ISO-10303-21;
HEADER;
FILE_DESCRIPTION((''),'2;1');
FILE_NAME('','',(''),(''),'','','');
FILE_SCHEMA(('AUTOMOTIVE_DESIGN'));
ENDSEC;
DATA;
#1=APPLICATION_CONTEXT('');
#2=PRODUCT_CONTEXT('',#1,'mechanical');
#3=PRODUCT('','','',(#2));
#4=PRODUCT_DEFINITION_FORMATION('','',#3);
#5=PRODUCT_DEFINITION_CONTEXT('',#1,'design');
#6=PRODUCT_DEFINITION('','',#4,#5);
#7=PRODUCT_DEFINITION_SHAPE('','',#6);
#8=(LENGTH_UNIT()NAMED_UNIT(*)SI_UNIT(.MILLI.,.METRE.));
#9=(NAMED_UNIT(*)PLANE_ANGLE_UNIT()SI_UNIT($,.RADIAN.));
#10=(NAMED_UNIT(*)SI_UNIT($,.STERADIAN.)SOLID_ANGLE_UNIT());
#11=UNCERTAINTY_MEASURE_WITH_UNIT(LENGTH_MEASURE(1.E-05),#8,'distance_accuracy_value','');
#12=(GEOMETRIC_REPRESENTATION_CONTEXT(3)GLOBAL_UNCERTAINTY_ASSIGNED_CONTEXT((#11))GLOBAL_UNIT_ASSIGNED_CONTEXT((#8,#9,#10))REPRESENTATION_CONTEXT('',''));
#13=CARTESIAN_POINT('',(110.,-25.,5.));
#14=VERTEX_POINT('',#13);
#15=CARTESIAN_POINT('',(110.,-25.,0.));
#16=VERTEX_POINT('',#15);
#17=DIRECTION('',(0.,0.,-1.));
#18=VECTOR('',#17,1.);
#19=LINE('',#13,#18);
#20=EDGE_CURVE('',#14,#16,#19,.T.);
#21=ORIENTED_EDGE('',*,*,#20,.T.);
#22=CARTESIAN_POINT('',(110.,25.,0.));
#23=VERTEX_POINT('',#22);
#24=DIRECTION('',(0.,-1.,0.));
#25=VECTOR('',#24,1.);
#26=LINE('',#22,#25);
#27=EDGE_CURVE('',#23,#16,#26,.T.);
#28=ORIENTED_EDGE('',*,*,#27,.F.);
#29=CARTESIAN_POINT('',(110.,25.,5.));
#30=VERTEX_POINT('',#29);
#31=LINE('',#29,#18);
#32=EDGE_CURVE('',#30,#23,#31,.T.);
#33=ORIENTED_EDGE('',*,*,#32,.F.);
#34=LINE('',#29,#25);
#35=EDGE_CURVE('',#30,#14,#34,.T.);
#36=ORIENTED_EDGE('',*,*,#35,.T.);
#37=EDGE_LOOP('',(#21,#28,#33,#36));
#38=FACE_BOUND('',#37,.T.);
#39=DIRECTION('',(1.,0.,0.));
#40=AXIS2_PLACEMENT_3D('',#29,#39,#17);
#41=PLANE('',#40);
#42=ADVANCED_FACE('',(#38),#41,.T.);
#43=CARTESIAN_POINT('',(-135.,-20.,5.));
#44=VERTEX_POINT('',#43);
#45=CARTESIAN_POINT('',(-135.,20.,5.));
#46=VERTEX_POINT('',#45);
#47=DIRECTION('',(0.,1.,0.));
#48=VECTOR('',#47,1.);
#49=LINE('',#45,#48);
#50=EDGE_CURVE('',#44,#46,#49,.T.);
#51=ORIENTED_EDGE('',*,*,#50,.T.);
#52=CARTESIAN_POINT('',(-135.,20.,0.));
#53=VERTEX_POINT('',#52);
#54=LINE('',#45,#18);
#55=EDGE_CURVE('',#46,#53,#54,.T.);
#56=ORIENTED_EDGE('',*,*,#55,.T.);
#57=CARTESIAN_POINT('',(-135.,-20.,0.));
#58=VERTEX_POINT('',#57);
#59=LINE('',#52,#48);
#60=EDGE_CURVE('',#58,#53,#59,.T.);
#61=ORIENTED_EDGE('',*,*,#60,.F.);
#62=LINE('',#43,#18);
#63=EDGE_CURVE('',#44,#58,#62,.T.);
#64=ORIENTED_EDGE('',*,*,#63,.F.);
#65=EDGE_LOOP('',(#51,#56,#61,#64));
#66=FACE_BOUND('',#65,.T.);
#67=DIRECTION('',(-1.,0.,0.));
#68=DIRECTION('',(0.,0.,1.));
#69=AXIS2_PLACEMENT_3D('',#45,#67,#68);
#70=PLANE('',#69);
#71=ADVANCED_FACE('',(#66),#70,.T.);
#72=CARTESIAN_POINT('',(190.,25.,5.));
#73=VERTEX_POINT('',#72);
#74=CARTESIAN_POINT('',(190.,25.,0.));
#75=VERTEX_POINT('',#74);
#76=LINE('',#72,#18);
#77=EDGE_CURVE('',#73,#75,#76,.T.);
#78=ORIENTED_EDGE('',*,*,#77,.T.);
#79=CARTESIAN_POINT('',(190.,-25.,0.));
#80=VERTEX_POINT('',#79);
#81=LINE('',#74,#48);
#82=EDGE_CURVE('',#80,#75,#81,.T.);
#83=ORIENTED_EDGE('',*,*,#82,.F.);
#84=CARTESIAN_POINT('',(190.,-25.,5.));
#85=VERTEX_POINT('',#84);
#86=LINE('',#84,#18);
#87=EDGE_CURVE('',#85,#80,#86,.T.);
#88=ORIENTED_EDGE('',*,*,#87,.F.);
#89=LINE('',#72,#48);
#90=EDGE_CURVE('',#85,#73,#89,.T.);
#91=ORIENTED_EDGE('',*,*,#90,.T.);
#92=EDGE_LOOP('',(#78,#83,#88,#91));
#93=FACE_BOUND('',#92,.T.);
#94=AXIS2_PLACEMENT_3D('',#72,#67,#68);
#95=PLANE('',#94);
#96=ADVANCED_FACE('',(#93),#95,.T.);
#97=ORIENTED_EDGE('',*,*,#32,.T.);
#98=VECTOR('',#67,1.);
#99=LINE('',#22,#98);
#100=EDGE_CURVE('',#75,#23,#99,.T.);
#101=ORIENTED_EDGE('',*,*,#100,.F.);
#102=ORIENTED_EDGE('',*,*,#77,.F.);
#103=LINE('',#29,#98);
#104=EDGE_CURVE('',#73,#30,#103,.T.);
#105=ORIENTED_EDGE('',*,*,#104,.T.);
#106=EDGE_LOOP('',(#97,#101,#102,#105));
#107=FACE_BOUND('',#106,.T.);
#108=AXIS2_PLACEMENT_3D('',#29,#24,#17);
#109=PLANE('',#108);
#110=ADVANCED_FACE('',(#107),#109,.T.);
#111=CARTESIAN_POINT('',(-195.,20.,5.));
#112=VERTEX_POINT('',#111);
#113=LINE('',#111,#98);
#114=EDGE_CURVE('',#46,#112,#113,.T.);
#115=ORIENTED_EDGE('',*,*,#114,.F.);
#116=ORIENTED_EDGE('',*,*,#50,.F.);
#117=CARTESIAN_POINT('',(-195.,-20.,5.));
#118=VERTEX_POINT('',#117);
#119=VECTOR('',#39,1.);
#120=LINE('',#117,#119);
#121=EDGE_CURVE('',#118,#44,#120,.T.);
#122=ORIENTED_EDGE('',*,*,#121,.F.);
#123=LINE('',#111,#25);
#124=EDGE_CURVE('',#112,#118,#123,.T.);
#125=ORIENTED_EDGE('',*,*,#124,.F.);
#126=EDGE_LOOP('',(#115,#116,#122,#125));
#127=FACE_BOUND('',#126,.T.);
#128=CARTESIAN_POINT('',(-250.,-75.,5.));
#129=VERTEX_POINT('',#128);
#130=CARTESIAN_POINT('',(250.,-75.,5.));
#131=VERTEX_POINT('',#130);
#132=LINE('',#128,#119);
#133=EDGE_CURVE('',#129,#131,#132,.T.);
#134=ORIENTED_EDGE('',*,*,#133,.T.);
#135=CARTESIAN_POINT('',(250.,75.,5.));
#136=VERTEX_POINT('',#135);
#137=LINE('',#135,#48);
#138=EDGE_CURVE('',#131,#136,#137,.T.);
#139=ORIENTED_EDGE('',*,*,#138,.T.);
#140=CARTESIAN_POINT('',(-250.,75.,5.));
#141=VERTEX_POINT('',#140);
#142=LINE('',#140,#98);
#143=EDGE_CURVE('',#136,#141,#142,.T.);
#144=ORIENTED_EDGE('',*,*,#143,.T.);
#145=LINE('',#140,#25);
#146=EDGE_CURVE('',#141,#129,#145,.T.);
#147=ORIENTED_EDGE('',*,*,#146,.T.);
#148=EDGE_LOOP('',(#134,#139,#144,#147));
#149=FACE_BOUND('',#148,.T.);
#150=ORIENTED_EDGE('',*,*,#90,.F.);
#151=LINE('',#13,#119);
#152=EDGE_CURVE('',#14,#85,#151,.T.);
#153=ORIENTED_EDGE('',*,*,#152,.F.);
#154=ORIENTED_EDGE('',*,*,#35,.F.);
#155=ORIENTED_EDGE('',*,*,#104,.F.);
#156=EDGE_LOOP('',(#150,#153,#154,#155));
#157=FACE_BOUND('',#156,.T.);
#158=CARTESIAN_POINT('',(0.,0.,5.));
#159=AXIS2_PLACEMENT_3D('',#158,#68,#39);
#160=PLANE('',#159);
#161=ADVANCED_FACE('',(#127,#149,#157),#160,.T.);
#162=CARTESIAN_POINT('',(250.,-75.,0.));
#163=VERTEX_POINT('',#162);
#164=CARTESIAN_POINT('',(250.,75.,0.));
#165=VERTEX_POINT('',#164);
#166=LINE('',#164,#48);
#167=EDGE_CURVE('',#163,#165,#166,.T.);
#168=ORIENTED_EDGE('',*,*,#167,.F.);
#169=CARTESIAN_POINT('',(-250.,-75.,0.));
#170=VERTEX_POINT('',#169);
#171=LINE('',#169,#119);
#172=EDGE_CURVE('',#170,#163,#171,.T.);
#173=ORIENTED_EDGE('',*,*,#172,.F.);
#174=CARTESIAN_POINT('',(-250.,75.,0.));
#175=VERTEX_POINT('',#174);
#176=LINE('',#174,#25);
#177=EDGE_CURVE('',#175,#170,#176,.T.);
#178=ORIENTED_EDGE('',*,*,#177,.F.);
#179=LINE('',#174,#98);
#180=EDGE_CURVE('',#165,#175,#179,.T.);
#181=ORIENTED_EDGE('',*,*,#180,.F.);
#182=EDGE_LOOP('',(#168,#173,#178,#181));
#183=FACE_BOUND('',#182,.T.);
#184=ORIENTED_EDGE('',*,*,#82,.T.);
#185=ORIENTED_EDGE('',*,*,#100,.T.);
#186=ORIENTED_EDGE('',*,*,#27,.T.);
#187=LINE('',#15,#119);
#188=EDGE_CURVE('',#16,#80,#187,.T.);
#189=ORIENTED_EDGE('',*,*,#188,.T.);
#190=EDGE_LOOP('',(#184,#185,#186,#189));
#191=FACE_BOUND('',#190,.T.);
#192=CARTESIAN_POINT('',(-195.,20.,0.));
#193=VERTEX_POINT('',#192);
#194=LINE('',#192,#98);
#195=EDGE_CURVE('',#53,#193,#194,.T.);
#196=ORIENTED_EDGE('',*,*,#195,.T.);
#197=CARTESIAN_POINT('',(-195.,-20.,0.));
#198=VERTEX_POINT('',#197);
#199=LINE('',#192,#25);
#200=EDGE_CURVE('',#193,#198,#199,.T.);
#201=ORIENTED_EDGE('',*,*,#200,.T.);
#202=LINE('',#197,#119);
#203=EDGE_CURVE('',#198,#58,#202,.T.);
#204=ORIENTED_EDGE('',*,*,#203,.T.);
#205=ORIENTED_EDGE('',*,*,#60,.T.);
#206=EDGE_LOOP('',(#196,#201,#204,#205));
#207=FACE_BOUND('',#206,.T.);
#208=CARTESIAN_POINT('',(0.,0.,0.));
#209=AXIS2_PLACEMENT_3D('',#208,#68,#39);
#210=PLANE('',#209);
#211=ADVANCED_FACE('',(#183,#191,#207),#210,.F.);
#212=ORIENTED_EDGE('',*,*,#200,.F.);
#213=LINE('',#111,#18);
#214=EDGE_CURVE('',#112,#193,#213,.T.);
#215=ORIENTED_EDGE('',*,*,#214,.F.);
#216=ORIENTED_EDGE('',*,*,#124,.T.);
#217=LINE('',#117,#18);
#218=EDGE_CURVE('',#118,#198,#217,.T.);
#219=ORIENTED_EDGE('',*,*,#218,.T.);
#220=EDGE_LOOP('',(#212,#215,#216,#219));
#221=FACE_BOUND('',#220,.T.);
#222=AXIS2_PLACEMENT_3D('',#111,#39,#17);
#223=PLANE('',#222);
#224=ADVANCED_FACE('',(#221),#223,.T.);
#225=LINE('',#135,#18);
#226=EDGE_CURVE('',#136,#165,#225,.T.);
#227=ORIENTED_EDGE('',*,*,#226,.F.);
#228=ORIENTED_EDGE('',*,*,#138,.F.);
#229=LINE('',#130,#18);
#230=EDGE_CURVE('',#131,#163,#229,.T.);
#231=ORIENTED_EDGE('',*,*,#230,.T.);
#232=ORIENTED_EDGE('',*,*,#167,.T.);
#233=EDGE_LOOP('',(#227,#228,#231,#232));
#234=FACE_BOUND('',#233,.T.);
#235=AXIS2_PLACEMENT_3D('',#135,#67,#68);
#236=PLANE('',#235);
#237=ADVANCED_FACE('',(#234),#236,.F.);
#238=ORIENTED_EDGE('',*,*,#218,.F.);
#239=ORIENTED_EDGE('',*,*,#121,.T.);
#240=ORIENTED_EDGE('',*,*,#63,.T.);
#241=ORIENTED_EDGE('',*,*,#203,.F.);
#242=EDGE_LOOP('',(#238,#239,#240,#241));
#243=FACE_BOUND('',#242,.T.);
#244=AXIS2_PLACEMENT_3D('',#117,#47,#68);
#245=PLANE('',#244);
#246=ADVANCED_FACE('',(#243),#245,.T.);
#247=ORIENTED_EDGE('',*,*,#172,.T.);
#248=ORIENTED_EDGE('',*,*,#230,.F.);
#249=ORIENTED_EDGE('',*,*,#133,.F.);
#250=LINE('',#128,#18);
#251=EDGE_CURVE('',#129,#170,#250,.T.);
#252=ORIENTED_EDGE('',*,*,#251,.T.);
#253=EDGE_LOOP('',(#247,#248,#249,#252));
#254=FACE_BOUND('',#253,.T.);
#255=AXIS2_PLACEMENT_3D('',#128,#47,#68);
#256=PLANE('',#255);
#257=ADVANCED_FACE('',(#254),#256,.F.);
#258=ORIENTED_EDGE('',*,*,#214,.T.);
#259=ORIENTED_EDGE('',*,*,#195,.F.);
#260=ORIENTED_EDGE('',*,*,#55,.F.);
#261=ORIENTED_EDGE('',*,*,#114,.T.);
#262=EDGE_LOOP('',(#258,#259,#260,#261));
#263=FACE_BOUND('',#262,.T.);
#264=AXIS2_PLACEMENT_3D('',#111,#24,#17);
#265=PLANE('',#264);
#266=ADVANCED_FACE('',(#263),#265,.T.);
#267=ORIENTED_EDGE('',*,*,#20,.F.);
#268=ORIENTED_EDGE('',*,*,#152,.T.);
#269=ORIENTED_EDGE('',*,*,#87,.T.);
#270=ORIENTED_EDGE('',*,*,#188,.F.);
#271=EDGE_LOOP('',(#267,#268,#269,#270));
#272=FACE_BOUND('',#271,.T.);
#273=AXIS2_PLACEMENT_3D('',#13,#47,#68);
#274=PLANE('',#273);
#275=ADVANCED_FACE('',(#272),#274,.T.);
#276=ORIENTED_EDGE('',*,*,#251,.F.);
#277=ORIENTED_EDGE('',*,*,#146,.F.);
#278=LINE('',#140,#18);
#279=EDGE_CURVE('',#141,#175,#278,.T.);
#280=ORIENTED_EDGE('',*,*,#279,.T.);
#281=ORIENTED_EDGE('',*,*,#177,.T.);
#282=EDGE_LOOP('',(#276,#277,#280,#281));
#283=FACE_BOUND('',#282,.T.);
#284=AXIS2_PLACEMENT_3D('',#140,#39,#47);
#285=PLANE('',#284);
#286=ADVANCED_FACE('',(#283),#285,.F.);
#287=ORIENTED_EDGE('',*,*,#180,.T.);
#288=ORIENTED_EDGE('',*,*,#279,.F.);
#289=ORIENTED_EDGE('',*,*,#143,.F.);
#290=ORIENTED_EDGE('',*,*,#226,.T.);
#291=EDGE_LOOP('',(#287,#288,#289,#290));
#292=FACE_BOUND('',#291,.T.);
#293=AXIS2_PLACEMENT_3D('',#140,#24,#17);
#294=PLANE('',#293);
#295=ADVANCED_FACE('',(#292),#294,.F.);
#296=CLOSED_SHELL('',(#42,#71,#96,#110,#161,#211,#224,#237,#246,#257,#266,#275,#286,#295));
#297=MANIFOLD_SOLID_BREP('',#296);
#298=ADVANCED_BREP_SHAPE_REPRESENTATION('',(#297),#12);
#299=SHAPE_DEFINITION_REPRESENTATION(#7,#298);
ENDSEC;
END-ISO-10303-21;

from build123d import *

# Parameters (mm, degrees)
SKETCH1_W           = 500
SKETCH1_H           = 150
SKETCH1_W_2         = 60
SKETCH1_H_2         = 40
SKETCH1_W_3         = 80
SKETCH1_H_3         = 50
BOSS_EXTRUDE1_DEPTH = 5


with BuildPart() as part:
    # Sketch1 → Boss-Extrude1 (new body)
    with BuildSketch(Plane.XY):
        Rectangle(SKETCH1_W, SKETCH1_H)
        with Locations((-165, 0)):
            Rectangle(SKETCH1_W_2, SKETCH1_H_2, mode=Mode.SUBTRACT)
        with Locations((150, 0)):
            Rectangle(SKETCH1_W_3, SKETCH1_H_3, mode=Mode.SUBTRACT)
    extrude(amount=BOSS_EXTRUDE1_DEPTH)


solid = part.part
